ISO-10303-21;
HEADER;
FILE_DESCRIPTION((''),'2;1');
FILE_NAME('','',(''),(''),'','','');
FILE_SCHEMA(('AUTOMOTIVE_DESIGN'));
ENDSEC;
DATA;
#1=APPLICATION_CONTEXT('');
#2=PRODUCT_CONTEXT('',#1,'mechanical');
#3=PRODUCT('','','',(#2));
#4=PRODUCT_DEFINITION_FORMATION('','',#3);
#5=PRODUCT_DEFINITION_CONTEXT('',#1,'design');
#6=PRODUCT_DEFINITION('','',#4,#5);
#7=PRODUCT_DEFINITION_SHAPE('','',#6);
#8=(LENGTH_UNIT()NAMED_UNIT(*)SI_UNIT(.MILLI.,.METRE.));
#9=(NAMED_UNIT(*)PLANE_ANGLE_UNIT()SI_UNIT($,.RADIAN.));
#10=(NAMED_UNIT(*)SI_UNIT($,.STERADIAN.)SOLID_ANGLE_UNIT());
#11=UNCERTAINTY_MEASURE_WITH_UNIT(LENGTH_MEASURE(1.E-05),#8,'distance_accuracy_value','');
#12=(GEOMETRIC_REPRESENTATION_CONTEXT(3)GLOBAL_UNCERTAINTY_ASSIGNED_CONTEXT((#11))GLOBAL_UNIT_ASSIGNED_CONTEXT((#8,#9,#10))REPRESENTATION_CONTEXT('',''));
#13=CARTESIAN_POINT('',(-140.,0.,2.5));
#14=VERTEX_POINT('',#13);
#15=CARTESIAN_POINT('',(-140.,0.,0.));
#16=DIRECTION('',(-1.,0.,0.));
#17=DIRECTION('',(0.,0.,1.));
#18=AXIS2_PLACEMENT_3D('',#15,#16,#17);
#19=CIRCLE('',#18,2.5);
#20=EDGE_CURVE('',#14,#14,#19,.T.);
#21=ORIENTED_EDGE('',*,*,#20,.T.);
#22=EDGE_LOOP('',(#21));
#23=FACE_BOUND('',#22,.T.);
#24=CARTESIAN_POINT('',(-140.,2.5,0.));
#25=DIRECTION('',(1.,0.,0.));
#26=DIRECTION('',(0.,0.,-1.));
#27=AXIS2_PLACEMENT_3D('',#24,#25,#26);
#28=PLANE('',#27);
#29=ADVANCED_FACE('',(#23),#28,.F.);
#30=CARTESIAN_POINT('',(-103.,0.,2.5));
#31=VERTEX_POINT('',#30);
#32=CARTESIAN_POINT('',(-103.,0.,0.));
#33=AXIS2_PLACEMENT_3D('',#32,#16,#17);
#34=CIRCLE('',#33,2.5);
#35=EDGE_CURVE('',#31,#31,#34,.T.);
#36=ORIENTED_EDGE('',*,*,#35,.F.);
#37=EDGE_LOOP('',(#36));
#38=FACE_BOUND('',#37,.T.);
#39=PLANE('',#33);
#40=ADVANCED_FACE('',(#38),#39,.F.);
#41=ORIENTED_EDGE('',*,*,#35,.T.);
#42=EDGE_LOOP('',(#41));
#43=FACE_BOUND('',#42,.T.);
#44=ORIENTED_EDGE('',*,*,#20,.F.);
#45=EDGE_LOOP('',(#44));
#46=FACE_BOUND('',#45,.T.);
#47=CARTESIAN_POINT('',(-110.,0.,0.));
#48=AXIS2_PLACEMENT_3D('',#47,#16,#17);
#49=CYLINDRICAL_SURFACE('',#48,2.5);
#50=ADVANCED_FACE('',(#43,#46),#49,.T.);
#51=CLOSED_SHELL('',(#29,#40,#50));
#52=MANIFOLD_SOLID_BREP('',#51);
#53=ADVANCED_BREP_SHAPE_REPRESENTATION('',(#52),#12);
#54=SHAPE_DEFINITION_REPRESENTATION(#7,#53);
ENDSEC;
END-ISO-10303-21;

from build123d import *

# Parameters (mm, degrees)
AXIAL_PROFILE_MM_W = 37
AXIAL_PROFILE_MM_H = 2.5


with BuildPart() as part:
    # Axial profile (mm) → Full revolution (revolve)
    with BuildSketch(Plane.XY, mode=Mode.PRIVATE) as full_revolution_sk:
        with Locations((-121.5, 1.25)):
            Rectangle(AXIAL_PROFILE_MM_W, AXIAL_PROFILE_MM_H)
    revolve(full_revolution_sk.sketch.rotate(Axis((-110, 0, 0), (1, 0, 0)), 90), axis=Axis((-110, 0, 0), (1, 0, 0)))


solid = part.part
